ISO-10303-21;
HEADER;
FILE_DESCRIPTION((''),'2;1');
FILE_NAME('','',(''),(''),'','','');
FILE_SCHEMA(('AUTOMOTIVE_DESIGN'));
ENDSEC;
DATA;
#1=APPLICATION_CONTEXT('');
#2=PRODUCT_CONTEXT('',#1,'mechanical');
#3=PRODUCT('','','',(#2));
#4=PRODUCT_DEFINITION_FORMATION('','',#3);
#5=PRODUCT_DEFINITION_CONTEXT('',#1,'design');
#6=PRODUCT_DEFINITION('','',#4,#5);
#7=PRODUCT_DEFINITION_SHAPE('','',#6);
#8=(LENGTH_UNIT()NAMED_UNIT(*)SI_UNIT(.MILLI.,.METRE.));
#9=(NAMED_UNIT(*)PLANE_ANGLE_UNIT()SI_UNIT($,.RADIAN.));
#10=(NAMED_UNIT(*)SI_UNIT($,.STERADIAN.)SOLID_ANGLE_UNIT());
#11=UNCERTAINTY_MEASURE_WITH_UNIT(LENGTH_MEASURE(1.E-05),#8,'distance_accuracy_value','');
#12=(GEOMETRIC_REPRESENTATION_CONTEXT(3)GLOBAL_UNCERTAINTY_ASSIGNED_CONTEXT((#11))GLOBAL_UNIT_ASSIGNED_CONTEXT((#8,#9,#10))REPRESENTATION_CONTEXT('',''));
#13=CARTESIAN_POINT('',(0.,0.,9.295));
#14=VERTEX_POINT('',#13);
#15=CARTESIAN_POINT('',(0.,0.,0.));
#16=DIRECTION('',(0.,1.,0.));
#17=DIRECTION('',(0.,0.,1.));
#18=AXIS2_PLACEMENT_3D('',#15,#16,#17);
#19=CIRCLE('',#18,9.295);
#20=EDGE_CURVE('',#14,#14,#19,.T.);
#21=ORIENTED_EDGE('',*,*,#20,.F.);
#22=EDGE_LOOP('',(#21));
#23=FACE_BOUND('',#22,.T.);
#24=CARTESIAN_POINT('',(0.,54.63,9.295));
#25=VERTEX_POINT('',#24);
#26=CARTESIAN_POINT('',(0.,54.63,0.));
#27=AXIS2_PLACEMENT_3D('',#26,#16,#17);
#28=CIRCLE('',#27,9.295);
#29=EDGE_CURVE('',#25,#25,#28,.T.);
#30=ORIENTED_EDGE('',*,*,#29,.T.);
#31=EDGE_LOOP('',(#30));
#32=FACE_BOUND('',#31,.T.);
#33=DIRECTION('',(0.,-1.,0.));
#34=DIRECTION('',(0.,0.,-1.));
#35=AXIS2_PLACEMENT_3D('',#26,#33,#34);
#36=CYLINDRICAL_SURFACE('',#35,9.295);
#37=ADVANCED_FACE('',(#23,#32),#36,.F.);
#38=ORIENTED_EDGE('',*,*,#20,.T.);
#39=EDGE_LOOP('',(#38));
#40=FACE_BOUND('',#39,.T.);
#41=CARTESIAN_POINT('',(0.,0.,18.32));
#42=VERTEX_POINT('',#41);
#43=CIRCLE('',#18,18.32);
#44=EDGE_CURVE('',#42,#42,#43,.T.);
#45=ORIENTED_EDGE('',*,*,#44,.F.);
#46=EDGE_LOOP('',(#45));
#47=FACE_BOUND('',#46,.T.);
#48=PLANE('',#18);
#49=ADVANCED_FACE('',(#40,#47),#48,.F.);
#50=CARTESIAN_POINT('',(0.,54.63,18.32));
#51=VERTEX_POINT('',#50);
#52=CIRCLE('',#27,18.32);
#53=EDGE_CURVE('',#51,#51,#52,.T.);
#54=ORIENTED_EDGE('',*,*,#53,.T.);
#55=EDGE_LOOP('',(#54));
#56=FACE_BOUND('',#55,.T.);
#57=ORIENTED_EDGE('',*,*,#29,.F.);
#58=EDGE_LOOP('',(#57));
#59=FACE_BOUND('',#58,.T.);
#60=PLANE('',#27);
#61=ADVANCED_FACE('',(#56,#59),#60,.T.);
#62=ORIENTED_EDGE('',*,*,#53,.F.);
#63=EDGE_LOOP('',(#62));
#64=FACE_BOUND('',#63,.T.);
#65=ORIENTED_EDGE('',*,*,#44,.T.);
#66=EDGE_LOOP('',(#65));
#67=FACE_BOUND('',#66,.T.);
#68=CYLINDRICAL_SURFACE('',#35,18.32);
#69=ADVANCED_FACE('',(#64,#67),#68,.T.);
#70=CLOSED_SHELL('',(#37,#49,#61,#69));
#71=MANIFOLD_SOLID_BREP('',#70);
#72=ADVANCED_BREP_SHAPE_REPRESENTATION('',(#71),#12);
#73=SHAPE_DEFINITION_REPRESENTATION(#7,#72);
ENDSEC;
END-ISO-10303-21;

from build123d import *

# Parameters (mm, degrees)
ESBO_O1_R                = 18.32
ESBO_O1_R_2              = 9.295
RESSALTO_EXTRUS_O1_DEPTH = 54.63


with BuildPart() as part:
    # Esboço1 → Ressalto-extrusão1 (new body)
    with BuildSketch(Plane(origin=(0, 0, 0), x_dir=(1, 0, 0), z_dir=(0, 1, 0))):
        with Locations(Location((0, 0, 0), (0, 0, 270))):
            Circle(ESBO_O1_R)
        with Locations(Location((0, 0, 0), (0, 0, 270))):
            Circle(ESBO_O1_R_2, mode=Mode.SUBTRACT)
    extrude(amount=RESSALTO_EXTRUS_O1_DEPTH)


solid = part.part
